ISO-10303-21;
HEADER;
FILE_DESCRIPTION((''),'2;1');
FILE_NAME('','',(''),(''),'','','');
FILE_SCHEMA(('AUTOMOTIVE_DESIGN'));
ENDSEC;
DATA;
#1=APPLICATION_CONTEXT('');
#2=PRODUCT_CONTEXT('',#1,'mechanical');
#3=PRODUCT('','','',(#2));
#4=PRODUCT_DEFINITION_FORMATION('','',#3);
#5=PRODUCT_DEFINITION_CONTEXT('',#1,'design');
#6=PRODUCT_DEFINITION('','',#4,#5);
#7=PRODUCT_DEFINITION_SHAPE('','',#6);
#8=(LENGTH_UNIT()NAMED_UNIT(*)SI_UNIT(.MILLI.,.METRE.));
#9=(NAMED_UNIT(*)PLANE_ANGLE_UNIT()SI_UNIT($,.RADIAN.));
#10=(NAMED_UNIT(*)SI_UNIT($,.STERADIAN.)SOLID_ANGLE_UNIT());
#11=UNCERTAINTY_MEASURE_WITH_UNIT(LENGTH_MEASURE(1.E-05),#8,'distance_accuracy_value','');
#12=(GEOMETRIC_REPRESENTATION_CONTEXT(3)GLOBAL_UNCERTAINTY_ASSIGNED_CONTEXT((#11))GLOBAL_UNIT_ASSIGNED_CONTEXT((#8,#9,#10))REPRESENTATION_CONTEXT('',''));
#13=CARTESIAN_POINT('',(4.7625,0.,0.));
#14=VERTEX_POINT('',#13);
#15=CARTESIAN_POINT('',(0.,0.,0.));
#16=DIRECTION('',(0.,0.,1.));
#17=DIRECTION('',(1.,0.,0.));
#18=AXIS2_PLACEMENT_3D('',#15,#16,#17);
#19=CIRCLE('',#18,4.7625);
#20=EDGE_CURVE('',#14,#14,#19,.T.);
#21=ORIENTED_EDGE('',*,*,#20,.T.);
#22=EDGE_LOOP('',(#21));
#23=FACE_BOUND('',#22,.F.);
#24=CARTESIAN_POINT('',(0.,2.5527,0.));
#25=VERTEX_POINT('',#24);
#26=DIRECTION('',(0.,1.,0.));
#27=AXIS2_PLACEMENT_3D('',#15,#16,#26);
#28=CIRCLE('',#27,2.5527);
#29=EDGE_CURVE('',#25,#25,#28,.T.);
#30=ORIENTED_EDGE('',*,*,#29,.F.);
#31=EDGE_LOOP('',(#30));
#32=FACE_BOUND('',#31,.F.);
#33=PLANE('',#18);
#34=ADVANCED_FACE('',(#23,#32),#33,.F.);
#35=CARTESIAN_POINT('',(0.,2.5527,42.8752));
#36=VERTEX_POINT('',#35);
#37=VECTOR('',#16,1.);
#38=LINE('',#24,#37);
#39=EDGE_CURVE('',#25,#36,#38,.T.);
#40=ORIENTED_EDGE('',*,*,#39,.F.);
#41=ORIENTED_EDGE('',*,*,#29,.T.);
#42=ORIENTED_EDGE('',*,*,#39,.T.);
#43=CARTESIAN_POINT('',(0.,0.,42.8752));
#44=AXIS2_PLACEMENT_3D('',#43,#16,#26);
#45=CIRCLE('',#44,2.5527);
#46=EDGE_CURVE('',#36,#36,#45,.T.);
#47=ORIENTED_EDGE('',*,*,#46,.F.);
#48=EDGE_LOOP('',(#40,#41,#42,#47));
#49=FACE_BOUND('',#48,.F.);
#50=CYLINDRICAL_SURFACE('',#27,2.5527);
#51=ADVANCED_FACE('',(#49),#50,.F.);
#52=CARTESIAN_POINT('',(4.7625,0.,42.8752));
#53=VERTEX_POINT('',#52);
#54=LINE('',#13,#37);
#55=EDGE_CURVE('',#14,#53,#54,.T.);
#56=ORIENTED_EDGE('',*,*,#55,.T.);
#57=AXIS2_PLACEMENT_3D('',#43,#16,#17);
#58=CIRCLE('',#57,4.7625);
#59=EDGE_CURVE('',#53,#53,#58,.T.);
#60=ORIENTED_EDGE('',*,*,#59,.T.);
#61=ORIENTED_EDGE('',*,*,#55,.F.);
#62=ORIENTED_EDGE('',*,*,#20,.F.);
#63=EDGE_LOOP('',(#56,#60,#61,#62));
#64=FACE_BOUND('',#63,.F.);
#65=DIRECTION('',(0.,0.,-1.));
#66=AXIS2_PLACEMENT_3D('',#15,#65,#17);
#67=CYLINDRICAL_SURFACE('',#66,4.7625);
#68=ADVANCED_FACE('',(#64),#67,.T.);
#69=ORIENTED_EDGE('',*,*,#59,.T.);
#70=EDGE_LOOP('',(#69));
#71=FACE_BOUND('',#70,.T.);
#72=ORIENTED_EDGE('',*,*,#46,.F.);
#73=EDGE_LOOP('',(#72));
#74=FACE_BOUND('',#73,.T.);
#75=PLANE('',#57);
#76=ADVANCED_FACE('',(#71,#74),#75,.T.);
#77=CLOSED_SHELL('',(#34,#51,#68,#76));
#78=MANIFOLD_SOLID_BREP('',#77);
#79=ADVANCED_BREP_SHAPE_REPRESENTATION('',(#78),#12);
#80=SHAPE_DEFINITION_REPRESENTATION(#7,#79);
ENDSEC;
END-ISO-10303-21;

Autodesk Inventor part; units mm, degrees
ref_plane "YZ Plane" through (0, 0, 0) normal (1, 0, 0) x (0, 1, 0)
ref_plane "XZ Plane" through (0, 0, 0) normal (0, 1, 0) x (-1, 0, 0)
ref_plane "XY Plane" through (0, 0, 0) normal (0, 0, 1) x (1, 0, 0)
sketch "Sketch1" plane through (0, 0, 0) normal (0, 0, 1) x (1, 0, 0)
  circle A0 centre (0, 0) radius 4.7625
  dimension "d10" = 9.525
extrude "Extrusion1" add sketch "Sketch1" along normal blind 42.8752
hole "Hole1" at (0, 0, 0) direction (0, 0, 1) diameter 5.1054 end through all clearance for "Flat Head Machine Screw (82)" size "#10" standard "Ansi Unified Screw Threads"
equation "\"d10\" = OutsideDiameter"
equation "\"d1\" = StandoffLength"
equation "\"d3\" = HoleDiameter"
equation "\"StandoffLength\" = 42.8752"
equation "\"HoleDiameter\" = 5.1054"
equation "\"OutsideDiameter\" = 9.525"
properties part number "Standoff Creator" material "Aluminum 6061"
